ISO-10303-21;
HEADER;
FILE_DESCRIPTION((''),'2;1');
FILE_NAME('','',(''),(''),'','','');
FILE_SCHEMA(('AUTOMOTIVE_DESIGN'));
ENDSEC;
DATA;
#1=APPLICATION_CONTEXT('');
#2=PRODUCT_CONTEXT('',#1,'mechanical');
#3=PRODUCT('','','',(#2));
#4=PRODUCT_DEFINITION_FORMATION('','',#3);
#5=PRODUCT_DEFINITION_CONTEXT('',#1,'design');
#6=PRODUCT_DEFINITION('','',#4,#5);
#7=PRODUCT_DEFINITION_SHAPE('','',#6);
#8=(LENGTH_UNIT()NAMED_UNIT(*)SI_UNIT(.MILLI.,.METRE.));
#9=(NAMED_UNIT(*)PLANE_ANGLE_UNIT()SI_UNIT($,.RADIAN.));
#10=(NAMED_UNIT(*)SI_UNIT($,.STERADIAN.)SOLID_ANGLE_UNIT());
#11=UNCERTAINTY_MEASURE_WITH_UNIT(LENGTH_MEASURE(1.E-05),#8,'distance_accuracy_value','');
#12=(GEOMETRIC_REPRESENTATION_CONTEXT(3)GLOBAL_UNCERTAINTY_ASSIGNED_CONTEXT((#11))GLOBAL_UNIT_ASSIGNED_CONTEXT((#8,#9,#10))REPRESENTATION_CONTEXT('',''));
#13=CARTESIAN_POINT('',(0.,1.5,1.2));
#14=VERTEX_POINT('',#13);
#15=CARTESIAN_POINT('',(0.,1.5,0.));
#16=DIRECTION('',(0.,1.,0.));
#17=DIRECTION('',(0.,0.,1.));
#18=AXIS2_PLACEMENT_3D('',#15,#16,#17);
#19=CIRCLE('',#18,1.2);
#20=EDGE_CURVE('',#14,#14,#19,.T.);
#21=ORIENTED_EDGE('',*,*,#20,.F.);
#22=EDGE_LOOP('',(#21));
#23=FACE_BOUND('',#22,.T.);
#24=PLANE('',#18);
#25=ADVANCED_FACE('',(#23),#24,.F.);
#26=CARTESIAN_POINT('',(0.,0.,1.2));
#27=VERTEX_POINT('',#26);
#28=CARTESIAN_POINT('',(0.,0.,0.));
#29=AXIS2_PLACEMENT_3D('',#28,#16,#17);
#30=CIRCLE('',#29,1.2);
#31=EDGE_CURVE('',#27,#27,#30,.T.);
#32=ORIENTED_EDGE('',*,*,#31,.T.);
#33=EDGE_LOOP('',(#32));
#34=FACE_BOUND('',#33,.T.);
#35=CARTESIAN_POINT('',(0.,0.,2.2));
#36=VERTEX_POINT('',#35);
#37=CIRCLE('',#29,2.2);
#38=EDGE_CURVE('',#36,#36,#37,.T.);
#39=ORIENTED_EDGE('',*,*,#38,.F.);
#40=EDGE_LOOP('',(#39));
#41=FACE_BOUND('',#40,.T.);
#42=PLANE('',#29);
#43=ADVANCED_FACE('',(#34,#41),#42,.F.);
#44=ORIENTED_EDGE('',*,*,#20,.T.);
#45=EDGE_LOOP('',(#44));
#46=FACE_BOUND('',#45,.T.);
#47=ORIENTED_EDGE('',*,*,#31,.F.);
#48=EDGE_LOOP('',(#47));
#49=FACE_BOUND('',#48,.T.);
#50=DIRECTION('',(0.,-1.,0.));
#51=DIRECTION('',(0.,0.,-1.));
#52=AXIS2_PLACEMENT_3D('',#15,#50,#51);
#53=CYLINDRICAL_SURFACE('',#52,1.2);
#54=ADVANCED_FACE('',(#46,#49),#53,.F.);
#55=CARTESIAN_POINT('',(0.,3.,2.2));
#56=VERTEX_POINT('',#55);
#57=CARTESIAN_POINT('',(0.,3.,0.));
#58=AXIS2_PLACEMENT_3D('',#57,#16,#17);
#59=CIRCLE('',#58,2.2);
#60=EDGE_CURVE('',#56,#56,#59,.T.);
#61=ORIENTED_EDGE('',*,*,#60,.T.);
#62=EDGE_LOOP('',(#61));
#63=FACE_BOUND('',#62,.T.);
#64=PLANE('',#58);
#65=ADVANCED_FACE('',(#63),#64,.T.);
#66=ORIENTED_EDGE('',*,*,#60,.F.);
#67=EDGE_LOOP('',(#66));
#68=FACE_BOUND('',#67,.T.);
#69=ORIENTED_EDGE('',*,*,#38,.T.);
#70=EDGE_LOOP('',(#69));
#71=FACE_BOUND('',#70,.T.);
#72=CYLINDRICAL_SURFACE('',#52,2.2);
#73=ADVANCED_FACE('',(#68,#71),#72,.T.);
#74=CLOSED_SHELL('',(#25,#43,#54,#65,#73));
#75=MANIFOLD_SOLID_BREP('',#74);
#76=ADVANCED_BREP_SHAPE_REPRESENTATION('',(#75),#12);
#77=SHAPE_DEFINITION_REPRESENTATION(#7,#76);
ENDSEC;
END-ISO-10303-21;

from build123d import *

# Parameters (mm, degrees)
SKETCH1_R           = 2.2
SKETCH1_R_2         = 1.2
BOSS_EXTRUDE1_DEPTH = 1.5
SKETCH2_R           = 2.2
BOSS_EXTRUDE2_DEPTH = 1.5


with BuildPart() as part:
    # Sketch1 → Boss-Extrude1 (new body)
    with BuildSketch(Plane(origin=(0, 0, 0), x_dir=(1, 0, 0), z_dir=(0, 1, 0))):
        with Locations(Location((0, 0, 0), (0, 0, 270))):
            Circle(SKETCH1_R)
        with Locations(Location((0, 0, 0), (0, 0, 270))):
            Circle(SKETCH1_R_2, mode=Mode.SUBTRACT)
    extrude(amount=BOSS_EXTRUDE1_DEPTH)

    # Sketch2 → Boss-Extrude2 (add)
    with BuildSketch(Plane(origin=(0, 1.5, 0), x_dir=(1, 0, 0), z_dir=(0, 1, 0))):
        with Locations(Location((0, 0, 0), (0, 0, 270))):
            Circle(SKETCH2_R)
    extrude(amount=BOSS_EXTRUDE2_DEPTH)


solid = part.part
